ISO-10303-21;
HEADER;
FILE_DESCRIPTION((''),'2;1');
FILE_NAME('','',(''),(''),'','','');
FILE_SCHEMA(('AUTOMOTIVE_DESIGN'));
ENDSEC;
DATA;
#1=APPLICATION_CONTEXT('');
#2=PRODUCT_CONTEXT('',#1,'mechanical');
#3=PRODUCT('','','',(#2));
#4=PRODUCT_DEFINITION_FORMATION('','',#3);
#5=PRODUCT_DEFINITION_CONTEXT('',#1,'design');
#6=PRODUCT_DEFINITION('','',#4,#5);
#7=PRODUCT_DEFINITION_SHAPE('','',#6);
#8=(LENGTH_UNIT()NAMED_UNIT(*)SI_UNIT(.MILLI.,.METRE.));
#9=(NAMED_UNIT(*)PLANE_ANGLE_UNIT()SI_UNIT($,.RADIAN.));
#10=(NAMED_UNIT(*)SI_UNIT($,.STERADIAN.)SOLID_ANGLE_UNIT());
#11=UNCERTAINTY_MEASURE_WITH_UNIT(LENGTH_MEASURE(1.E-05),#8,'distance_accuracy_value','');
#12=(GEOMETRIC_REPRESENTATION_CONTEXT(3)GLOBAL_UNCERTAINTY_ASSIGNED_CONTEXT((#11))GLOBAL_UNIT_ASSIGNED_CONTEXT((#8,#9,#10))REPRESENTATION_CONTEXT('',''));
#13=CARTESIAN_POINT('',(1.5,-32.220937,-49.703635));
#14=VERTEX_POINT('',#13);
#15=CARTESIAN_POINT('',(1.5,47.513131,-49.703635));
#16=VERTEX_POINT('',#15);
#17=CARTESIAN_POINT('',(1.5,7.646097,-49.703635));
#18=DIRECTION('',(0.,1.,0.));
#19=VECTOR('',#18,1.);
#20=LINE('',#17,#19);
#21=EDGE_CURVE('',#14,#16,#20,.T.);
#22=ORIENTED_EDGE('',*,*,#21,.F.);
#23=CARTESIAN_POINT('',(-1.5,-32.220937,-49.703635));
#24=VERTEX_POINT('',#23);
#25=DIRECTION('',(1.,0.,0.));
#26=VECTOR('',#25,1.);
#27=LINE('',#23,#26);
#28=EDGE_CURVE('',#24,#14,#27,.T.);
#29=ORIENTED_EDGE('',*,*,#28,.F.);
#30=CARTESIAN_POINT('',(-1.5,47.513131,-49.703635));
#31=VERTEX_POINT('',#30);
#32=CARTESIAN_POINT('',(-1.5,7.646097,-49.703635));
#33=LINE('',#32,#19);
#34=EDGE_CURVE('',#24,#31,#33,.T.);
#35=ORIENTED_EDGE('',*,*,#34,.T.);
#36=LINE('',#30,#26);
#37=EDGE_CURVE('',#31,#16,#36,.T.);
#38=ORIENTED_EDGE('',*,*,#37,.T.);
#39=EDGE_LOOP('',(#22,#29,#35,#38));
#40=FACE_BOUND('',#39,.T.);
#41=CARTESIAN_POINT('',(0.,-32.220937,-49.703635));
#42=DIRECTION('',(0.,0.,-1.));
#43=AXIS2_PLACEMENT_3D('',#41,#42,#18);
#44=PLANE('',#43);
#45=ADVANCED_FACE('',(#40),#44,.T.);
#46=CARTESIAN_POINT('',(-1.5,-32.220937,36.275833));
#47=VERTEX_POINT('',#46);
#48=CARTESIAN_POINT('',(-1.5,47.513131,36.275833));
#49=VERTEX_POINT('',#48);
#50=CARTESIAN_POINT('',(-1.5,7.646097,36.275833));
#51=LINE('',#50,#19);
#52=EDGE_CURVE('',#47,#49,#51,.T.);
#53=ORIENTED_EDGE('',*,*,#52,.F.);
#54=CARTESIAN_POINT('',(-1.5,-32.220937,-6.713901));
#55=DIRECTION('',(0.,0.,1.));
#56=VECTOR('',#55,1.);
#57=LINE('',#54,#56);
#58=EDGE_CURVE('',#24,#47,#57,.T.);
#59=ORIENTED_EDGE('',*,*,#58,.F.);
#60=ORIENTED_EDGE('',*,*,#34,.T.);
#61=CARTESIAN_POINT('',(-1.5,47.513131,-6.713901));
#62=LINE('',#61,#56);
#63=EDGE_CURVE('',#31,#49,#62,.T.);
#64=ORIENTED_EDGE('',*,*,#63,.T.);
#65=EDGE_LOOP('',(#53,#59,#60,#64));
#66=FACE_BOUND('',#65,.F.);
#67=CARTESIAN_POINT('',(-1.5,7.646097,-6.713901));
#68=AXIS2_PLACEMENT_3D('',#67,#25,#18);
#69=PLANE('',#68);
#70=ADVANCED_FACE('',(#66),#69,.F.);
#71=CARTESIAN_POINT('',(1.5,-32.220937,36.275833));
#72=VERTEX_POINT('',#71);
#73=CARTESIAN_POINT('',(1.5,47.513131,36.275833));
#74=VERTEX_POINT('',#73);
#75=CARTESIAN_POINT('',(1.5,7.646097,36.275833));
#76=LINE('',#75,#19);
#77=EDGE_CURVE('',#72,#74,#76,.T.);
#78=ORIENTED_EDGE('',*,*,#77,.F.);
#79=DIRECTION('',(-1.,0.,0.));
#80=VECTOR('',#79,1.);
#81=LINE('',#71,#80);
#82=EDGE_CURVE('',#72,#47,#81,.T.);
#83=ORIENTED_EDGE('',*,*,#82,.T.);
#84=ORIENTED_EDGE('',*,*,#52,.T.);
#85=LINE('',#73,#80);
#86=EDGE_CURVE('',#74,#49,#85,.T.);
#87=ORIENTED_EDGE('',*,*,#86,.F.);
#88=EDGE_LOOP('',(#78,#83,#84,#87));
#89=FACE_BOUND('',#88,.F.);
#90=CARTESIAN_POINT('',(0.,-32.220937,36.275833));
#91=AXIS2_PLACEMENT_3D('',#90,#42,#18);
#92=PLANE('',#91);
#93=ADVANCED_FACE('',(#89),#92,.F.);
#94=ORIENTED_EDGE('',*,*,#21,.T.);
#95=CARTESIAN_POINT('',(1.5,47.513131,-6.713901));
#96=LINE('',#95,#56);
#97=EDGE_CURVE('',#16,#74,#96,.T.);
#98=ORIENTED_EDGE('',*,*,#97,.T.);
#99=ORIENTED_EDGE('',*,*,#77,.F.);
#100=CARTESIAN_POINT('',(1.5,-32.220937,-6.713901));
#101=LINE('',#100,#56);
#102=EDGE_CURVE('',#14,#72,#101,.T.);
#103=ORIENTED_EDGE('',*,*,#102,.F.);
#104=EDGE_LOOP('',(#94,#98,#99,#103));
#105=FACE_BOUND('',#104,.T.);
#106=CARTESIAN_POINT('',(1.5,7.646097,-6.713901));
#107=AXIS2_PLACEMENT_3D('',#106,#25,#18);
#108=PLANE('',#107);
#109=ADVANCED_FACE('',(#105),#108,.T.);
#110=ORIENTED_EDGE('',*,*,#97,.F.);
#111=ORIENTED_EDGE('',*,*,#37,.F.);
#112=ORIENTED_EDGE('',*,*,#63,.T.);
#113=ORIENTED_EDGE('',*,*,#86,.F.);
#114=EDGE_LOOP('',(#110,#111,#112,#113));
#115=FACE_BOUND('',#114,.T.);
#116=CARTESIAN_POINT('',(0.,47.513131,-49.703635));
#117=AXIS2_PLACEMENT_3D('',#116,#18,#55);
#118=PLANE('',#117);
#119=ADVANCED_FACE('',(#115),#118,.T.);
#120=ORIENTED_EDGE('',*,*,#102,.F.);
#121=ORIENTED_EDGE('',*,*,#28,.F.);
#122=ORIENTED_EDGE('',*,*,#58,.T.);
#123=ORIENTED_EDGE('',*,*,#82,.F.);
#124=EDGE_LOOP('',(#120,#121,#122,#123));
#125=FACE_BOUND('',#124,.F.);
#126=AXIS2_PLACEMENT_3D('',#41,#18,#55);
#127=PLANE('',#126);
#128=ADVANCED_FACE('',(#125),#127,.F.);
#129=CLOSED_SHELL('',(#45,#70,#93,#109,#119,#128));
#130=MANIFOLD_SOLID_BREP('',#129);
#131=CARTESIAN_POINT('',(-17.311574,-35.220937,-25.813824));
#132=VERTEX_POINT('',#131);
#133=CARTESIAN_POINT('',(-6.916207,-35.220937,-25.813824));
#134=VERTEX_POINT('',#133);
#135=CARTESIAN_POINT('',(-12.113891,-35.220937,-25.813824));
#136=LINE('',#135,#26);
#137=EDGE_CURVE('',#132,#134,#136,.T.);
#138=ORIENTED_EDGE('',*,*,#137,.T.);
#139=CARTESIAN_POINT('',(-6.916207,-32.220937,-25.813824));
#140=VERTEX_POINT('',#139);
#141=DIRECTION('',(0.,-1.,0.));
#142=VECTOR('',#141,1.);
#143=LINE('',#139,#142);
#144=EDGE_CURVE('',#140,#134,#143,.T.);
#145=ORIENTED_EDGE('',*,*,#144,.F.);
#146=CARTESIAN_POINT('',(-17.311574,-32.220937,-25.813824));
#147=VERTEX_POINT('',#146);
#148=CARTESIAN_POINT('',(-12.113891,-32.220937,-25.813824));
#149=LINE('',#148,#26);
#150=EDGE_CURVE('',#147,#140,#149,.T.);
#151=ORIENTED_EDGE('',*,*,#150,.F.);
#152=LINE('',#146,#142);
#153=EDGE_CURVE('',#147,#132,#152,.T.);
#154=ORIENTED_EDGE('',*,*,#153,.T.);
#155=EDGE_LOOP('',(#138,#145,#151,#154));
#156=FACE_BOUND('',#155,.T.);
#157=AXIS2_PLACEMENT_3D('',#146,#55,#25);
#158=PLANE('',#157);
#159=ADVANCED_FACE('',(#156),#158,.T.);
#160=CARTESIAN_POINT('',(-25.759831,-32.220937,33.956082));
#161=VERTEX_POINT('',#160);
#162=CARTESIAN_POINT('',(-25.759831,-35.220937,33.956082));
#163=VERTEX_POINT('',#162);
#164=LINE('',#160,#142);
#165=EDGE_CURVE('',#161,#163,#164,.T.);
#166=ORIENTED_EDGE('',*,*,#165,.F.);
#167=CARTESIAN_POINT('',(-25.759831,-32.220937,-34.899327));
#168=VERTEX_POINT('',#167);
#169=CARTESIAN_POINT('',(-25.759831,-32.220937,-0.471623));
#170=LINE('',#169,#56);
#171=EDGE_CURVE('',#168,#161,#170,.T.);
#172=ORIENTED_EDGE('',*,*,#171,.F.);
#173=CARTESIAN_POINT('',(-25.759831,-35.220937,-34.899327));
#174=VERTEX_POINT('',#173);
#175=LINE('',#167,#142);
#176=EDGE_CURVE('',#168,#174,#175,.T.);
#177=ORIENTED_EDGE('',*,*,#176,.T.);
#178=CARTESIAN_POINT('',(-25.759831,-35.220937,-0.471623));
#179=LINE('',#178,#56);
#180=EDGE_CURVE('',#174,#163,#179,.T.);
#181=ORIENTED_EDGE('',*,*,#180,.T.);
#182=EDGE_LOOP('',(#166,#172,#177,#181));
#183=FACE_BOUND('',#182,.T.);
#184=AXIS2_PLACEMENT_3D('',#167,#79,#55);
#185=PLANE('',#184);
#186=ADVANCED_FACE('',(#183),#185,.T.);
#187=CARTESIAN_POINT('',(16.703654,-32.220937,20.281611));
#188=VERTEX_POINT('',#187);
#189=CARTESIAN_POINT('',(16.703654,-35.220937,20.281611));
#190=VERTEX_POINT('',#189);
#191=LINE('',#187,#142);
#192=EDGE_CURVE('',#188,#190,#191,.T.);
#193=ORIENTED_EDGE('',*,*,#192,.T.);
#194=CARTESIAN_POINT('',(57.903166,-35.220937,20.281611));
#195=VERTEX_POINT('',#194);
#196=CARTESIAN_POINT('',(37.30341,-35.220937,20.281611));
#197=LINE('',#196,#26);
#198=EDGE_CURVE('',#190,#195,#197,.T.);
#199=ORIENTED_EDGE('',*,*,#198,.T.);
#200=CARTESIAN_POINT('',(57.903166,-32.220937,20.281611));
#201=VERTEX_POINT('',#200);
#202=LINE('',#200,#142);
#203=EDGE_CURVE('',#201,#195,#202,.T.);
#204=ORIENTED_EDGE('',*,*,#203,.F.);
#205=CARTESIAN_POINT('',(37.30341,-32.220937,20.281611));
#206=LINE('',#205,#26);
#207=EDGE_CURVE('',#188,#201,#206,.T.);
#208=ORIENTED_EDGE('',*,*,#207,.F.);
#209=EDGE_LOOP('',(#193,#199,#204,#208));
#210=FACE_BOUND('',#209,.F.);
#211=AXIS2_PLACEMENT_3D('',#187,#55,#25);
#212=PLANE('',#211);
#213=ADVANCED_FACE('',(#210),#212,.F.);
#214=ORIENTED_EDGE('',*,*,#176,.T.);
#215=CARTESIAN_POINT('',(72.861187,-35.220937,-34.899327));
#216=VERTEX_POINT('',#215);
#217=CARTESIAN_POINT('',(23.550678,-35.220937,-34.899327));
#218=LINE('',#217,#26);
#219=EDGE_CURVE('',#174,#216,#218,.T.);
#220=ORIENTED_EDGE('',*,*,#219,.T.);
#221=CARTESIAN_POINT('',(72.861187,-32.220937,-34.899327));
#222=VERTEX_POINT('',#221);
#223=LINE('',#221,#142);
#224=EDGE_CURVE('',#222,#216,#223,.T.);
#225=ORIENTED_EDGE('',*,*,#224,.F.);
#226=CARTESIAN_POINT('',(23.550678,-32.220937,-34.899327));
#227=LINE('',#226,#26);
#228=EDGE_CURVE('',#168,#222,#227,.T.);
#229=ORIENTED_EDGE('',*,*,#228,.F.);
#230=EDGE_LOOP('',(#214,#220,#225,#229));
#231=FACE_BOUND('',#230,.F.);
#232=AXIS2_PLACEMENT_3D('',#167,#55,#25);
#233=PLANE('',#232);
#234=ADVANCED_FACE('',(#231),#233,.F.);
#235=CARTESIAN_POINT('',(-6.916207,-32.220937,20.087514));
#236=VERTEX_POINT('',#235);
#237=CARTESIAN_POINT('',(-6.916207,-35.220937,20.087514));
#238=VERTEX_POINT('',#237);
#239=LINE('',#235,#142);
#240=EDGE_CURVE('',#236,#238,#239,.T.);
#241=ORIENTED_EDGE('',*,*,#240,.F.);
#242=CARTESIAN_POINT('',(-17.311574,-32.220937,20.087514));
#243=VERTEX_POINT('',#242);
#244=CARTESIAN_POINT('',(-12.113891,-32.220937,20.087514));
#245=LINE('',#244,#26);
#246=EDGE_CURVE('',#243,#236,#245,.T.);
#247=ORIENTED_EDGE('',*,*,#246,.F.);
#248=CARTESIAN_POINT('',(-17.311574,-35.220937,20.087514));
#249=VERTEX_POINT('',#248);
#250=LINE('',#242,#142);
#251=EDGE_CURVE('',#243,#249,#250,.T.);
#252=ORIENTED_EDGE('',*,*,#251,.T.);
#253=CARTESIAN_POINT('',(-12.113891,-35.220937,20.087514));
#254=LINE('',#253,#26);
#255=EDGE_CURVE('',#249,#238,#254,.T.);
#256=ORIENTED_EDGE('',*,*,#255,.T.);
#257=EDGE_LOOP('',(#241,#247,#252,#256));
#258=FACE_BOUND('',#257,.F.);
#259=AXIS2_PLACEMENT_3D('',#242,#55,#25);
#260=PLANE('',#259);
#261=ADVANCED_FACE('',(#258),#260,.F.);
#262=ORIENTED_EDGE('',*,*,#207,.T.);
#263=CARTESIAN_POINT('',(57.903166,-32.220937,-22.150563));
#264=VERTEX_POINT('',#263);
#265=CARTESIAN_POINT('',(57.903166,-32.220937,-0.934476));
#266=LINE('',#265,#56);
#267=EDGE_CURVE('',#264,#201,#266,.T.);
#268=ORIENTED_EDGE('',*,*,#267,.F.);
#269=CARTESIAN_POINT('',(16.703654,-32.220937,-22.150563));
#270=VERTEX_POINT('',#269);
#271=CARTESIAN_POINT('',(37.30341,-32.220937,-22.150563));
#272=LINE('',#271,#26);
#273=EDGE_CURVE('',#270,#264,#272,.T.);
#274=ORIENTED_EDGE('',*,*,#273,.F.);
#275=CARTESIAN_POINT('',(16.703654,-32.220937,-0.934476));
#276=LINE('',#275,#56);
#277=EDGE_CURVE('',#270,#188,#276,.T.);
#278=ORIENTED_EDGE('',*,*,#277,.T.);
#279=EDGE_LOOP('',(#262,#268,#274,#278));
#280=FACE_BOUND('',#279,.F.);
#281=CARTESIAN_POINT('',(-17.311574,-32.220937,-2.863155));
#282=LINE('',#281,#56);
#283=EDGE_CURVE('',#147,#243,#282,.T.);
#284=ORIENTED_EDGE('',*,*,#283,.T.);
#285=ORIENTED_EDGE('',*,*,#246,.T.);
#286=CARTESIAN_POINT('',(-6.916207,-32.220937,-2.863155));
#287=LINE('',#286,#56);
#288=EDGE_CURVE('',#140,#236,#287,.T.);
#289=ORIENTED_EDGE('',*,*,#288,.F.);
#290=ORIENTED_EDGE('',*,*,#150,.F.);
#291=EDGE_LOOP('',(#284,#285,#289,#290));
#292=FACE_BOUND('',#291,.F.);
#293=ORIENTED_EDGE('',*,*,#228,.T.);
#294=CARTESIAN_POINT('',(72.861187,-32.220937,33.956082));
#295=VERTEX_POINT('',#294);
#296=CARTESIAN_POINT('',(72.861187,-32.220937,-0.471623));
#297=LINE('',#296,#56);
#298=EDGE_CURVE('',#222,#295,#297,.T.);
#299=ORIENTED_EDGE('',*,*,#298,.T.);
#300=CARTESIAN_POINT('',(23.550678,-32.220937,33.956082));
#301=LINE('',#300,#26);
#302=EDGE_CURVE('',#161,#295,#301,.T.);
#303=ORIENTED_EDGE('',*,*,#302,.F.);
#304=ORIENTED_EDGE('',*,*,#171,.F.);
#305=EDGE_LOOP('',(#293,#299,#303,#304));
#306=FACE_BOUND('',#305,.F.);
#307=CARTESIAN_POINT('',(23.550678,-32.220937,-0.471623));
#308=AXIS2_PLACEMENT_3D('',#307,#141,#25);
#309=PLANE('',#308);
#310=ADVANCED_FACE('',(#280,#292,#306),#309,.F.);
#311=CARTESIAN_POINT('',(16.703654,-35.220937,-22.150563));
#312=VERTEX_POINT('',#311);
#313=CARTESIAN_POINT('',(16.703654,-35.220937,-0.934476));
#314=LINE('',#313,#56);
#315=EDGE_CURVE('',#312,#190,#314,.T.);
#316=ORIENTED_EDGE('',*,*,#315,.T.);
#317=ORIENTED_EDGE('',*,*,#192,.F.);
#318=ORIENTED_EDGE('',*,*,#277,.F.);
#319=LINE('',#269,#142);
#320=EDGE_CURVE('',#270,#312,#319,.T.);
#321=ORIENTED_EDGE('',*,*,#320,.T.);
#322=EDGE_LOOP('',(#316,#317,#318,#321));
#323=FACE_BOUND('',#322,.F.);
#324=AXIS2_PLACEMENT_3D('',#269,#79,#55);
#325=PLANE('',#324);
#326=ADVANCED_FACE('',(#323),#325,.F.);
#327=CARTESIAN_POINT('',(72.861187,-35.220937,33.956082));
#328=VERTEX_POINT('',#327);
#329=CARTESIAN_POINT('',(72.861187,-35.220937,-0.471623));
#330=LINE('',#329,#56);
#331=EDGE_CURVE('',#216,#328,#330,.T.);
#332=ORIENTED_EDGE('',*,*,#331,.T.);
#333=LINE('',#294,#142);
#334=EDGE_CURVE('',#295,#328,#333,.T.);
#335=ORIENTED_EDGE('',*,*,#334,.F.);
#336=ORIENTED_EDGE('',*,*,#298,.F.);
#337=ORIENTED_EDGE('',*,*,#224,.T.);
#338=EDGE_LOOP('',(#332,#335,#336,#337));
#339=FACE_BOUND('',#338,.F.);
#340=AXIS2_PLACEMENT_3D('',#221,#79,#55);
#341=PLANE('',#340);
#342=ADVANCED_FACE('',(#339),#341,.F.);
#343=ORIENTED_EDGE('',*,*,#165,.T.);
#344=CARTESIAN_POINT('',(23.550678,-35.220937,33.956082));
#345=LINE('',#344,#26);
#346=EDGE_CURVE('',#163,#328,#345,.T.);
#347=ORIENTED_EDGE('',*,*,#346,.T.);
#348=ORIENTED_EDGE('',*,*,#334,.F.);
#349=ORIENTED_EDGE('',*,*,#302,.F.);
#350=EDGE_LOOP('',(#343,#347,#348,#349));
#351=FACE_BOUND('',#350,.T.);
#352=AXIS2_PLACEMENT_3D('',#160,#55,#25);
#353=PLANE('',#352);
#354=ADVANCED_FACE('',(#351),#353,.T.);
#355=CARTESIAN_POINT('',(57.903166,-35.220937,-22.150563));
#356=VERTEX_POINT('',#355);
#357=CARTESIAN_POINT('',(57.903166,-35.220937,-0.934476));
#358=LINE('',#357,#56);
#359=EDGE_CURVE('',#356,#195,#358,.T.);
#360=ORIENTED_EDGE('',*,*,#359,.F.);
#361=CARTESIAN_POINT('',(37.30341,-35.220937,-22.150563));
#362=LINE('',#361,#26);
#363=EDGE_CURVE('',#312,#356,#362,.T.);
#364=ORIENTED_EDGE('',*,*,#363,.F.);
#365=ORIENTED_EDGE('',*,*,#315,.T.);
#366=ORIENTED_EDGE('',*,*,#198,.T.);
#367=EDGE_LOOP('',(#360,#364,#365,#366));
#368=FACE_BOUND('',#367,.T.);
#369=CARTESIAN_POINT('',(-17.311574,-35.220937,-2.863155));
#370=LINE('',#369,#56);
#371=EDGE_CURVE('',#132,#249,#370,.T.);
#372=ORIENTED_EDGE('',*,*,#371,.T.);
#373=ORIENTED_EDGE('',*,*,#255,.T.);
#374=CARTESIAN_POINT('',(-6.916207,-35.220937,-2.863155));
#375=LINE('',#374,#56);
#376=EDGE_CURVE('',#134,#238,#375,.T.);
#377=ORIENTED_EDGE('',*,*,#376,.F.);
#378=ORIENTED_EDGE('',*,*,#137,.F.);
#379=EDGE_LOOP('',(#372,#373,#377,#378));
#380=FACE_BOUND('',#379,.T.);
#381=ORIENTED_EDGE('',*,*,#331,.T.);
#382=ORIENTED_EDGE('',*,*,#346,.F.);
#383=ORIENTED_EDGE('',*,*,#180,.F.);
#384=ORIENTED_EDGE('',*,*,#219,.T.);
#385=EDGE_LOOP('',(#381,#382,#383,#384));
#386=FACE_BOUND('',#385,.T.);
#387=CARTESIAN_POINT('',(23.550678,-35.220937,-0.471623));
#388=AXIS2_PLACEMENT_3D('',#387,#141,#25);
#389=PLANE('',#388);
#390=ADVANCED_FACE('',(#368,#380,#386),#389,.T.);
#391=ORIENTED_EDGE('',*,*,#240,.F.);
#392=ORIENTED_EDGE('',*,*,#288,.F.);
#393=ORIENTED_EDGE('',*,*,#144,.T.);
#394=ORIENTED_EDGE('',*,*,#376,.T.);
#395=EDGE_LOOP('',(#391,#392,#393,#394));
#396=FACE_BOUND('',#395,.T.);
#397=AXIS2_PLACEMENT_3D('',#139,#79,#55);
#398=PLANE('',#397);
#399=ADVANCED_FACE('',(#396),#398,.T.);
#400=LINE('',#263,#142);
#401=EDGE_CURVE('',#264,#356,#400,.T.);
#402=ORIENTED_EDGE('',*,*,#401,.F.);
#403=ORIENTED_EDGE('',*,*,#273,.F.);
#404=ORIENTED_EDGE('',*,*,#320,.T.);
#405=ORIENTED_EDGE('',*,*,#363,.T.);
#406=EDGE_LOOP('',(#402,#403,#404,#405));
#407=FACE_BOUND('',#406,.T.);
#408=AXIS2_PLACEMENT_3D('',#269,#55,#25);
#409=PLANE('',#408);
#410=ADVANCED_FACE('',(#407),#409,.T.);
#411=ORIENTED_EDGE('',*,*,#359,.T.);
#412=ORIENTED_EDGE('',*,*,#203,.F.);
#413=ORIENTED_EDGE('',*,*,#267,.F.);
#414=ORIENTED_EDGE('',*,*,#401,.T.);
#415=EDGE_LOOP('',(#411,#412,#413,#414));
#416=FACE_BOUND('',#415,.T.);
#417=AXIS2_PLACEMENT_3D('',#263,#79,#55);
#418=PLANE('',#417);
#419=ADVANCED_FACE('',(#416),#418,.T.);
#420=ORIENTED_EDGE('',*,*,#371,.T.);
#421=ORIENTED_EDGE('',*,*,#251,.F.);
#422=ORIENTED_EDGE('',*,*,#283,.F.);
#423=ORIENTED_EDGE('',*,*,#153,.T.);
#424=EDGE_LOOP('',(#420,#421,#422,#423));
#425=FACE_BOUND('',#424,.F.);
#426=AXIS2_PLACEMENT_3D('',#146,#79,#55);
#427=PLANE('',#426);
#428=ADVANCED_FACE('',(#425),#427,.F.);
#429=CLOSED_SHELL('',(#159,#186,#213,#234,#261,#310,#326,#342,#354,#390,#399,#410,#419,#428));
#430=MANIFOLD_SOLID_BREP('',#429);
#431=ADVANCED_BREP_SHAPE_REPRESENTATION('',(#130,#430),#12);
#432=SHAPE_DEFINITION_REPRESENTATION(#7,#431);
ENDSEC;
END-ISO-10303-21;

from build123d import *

# Parameters (mm, degrees)
F0_W     = 79.734068
F0_H     = 85.979469
F1_DEPTH = 1.5
F2_W     = 98.621018
F2_H     = 68.855409
F2_W_2   = 10.395367
F2_H_2   = 45.901338
F2_W_3   = 41.199513
F2_H_3   = 42.432174
F3_DEPTH = 3


with BuildPart() as f1:
    # F0 (on Right) → F1 (new body, symmetric)
    with BuildSketch(Plane.YZ):
        with Locations((7.646097, -6.713901)):
            Rectangle(F0_W, F0_H)
    extrude(amount=F1_DEPTH, both=True)


with BuildPart() as f3:
    # F2 (on face) → F3 (new body)
    with BuildSketch(Plane.XZ.offset(32.220937)):
        with Locations((23.550678, -0.471623)):
            Rectangle(F2_W, F2_H)
        with Locations((-12.113891, -2.863155)):
            Rectangle(F2_W_2, F2_H_2, mode=Mode.SUBTRACT)
        with Locations((37.30341, -0.934476)):
            Rectangle(F2_W_3, F2_H_3, mode=Mode.SUBTRACT)
    extrude(amount=F3_DEPTH)


solid = Compound([f1.part, f3.part])
